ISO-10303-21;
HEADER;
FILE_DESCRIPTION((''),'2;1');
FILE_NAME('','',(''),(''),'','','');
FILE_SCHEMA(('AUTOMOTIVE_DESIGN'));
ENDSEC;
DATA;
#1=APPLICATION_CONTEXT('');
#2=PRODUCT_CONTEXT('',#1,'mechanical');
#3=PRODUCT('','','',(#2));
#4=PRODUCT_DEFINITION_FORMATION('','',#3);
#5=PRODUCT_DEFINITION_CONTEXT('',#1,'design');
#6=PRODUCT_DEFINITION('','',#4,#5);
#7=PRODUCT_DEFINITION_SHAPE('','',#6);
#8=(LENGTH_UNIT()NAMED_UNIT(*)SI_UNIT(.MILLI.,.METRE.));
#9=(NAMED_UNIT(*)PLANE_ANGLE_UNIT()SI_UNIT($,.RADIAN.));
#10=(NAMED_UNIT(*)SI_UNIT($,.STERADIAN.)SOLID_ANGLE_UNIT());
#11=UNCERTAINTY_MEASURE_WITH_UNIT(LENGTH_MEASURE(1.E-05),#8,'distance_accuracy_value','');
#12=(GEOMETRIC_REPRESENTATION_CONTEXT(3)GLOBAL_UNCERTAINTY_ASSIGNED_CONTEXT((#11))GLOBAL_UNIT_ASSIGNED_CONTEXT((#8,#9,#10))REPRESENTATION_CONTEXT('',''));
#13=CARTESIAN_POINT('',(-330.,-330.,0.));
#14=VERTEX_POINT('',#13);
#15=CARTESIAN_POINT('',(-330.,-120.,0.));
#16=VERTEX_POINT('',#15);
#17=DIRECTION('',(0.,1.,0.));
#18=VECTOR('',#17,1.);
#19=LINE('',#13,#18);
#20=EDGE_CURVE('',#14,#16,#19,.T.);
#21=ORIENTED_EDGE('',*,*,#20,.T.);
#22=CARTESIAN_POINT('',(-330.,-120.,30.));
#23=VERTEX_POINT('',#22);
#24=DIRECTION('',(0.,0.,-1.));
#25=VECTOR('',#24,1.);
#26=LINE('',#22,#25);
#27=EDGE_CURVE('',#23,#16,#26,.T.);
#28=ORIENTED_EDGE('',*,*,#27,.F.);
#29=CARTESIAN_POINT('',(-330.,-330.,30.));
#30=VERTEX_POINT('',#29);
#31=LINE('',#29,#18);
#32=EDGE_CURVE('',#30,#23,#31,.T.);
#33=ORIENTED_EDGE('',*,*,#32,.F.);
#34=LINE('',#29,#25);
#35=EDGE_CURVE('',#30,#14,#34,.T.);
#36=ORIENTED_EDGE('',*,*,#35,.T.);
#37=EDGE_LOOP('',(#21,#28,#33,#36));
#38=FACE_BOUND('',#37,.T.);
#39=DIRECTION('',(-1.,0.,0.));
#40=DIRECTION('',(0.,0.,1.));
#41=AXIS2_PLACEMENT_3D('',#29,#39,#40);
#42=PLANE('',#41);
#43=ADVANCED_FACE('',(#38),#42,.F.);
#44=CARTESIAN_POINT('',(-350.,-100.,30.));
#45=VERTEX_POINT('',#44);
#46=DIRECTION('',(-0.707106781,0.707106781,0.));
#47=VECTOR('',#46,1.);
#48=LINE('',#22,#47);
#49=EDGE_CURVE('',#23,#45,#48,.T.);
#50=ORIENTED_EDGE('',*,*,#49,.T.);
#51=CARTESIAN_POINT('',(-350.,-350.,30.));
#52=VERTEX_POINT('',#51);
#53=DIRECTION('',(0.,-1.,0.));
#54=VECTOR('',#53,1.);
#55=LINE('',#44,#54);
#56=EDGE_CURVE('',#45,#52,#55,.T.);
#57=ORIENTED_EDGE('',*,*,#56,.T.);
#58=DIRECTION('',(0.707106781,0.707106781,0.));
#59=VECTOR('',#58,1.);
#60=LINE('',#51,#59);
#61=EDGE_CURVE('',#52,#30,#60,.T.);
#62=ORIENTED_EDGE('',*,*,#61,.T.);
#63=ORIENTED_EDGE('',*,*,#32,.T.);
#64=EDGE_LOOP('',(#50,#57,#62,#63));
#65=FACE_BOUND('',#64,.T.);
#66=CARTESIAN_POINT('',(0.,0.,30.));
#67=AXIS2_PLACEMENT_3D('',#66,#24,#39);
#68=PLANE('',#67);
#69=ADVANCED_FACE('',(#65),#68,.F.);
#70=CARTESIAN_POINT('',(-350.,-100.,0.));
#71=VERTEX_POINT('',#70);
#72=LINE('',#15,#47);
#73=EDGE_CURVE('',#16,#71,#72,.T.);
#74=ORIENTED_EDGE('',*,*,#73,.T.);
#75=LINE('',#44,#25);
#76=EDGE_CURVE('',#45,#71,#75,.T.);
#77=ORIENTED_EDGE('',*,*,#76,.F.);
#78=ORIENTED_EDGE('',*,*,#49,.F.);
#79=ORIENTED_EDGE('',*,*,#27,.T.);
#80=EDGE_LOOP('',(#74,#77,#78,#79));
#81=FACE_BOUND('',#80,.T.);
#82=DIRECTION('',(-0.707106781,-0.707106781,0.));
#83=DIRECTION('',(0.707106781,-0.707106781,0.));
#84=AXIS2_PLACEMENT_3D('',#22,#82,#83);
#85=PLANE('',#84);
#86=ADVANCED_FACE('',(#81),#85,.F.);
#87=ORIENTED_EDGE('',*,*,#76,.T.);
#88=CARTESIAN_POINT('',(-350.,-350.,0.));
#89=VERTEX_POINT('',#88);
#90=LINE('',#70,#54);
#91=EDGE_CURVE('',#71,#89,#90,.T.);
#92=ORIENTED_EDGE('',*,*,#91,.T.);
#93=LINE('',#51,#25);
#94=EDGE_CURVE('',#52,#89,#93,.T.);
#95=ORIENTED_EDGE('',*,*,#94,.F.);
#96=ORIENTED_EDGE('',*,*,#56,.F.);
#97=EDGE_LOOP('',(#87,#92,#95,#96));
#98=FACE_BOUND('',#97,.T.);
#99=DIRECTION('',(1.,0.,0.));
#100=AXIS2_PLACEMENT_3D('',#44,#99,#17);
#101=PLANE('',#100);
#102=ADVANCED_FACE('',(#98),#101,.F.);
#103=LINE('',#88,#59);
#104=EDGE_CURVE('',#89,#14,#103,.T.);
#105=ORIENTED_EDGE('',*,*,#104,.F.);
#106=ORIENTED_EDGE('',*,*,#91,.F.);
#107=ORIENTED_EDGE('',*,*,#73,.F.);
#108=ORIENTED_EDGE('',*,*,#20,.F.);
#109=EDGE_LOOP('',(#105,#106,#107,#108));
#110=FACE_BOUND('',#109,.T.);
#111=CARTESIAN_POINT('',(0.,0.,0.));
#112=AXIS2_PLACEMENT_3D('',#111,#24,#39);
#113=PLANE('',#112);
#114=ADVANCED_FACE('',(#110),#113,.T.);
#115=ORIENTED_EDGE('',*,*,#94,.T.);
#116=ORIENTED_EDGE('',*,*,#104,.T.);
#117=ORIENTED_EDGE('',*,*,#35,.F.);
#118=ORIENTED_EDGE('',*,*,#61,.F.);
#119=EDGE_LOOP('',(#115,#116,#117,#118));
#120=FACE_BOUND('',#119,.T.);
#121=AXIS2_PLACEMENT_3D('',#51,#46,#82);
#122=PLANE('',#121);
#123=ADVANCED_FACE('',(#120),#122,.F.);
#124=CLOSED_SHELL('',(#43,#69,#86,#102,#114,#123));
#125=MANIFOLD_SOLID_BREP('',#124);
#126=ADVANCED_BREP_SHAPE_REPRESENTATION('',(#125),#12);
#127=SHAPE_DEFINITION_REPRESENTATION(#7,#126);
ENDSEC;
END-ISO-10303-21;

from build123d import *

# Parameters (mm, degrees)
BOSS_EXTRU_1_DEPTH = 30


with BuildPart() as part:
    # Esquisse1 → Boss.-Extru.1 (new body)
    with BuildSketch(Plane.XY):
        Polygon((-350, -100), (-350, -350), (-330, -330), (-330, -120), align=None)
    extrude(amount=BOSS_EXTRU_1_DEPTH)


solid = part.part
